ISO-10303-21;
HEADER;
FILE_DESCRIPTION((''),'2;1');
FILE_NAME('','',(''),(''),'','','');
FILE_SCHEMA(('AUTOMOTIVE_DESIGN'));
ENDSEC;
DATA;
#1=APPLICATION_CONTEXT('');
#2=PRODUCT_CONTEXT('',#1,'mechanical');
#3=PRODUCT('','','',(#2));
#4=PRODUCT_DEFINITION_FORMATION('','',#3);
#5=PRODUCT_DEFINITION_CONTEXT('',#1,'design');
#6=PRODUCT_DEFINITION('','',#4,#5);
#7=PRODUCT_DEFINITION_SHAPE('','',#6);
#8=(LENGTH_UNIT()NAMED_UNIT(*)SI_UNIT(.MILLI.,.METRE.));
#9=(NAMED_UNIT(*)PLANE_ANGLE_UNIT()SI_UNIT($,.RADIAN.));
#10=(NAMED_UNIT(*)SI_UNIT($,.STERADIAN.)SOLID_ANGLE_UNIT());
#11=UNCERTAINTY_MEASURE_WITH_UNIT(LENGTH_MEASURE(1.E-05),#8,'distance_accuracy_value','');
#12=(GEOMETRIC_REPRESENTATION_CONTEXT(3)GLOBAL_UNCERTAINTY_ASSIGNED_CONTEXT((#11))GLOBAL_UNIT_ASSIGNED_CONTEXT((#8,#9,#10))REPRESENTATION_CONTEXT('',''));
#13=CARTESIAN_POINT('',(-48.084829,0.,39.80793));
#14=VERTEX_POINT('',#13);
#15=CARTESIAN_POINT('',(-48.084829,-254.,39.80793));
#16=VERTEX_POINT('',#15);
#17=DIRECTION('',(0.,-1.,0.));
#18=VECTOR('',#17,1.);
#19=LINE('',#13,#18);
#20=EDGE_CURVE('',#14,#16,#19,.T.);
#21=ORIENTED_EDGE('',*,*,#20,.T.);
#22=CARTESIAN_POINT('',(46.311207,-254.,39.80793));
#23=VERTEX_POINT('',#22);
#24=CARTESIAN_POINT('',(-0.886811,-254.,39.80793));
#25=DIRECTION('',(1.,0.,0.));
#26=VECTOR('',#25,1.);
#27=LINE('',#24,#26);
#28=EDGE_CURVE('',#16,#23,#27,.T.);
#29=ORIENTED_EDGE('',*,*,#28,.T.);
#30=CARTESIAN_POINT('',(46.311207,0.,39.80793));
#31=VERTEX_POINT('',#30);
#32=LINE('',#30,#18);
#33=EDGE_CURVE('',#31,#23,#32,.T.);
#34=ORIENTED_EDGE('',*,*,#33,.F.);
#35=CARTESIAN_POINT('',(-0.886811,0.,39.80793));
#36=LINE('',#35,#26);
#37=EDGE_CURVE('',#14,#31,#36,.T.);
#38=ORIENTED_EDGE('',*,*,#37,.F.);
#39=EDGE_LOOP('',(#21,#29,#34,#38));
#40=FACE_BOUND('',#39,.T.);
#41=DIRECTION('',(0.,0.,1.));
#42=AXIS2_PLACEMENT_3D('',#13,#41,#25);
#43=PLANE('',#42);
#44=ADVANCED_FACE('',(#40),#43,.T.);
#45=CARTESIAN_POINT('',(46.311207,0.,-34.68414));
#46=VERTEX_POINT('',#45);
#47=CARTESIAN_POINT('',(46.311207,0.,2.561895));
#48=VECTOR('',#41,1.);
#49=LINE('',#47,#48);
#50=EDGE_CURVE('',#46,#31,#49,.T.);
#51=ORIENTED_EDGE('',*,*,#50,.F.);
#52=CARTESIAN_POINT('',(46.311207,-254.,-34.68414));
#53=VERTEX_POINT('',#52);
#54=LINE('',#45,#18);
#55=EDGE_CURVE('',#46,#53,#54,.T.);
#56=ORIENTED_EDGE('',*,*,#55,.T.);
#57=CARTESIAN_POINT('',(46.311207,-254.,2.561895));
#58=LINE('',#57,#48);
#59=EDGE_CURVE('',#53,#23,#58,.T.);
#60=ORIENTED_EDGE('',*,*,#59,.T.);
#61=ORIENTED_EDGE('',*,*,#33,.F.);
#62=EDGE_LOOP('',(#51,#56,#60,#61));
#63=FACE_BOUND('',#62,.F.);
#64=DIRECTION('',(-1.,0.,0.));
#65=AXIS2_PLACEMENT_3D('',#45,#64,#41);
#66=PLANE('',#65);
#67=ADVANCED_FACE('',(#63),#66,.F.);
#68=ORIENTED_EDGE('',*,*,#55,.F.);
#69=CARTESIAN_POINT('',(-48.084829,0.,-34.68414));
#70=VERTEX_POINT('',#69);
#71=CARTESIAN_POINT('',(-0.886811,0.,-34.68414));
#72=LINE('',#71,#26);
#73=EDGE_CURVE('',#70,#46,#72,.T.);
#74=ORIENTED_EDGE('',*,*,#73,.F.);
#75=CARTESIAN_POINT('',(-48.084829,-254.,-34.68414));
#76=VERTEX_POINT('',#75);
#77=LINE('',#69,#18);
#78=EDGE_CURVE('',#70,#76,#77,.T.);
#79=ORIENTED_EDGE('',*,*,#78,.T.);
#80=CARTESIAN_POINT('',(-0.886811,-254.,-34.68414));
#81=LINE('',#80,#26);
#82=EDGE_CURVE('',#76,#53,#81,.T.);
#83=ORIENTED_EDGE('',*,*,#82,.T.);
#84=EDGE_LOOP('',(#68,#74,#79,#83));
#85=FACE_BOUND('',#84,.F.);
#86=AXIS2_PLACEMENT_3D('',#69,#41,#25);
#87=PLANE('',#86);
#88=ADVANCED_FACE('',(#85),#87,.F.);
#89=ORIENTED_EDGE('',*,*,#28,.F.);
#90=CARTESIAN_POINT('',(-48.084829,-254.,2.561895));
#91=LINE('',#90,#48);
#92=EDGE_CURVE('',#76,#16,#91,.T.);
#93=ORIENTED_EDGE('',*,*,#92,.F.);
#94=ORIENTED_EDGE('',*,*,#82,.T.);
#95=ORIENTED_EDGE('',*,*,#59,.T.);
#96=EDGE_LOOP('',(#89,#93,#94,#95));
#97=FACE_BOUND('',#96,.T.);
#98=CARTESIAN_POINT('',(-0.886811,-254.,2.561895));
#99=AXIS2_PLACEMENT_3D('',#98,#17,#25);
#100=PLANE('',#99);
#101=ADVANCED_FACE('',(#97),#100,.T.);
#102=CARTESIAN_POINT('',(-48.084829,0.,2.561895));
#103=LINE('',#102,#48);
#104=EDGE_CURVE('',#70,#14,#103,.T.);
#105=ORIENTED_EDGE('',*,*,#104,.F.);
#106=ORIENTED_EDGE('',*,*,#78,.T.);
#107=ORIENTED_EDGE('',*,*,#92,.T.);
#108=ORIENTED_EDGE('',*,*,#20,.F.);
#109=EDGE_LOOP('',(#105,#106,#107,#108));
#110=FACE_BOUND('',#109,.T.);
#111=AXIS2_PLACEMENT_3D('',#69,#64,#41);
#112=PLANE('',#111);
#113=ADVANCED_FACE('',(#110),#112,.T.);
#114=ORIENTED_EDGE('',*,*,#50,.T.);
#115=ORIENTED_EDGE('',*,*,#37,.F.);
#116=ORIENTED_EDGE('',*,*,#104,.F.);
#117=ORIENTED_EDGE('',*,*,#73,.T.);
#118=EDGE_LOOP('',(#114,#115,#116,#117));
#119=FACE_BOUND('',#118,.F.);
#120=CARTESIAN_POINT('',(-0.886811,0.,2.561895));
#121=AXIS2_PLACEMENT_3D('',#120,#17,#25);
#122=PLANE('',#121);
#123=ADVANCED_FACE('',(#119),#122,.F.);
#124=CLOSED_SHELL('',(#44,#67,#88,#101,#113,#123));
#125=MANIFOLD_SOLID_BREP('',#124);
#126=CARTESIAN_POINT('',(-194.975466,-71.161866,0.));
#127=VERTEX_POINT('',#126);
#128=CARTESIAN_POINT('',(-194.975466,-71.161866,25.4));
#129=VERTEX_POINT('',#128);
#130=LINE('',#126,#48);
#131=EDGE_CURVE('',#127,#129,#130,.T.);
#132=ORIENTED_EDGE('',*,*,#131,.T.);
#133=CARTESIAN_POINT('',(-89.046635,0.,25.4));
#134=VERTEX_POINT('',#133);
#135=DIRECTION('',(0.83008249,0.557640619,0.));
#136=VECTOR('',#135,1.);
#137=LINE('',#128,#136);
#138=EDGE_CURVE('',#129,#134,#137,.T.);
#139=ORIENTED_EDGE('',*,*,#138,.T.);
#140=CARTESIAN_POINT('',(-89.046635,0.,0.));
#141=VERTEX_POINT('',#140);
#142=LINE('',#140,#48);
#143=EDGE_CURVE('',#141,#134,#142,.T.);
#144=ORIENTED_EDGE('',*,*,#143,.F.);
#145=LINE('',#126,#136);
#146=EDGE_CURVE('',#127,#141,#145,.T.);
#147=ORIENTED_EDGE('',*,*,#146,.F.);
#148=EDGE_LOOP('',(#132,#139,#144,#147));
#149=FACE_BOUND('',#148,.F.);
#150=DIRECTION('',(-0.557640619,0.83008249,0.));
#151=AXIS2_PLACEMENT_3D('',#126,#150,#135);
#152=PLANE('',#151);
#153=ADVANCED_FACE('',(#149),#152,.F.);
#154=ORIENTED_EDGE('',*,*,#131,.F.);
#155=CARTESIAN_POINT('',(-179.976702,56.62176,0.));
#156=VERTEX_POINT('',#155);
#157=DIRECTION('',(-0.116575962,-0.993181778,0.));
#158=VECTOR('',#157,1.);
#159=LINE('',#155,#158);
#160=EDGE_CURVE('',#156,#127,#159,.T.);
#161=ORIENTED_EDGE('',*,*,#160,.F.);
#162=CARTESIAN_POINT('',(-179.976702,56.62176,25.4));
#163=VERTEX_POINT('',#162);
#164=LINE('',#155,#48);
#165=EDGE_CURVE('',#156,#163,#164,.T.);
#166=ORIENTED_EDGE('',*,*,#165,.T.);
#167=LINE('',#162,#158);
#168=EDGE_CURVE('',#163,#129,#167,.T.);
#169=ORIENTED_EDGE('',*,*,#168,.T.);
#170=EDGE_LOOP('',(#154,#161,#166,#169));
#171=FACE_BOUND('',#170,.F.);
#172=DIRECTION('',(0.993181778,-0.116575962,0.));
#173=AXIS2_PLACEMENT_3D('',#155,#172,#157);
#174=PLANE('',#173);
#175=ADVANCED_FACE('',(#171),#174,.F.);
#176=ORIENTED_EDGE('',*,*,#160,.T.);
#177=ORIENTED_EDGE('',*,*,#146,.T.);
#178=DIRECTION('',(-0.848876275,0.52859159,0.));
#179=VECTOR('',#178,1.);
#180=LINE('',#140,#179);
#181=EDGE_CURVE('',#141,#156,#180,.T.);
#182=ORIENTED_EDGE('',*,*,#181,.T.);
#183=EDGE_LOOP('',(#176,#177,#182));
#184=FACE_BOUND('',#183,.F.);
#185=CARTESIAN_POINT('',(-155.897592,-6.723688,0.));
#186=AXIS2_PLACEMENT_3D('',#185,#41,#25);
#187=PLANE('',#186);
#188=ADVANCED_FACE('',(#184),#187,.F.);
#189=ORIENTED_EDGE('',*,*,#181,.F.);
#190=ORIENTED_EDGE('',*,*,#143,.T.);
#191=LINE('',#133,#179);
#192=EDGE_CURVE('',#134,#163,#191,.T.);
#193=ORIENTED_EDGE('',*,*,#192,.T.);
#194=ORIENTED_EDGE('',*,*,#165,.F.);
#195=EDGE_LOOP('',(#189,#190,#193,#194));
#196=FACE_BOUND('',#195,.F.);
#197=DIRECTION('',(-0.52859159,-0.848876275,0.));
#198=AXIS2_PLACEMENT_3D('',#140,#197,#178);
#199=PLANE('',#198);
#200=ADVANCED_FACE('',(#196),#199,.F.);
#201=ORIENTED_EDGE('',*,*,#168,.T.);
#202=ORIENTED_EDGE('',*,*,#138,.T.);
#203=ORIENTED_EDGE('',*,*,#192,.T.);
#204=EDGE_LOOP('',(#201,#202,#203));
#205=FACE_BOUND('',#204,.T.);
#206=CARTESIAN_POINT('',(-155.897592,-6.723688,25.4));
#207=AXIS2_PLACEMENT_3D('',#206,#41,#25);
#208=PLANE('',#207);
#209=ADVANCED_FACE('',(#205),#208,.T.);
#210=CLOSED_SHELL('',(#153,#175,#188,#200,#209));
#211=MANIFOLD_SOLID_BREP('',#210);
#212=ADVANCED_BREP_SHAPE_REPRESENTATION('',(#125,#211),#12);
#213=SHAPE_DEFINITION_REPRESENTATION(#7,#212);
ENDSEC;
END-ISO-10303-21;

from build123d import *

# Parameters (mm, degrees)
F0_W     = 94.396036
F0_H     = 74.492071
F1_DEPTH = 254
F3_DEPTH = 25.4


with BuildPart() as f1:
    # F0 (on Front) → F1 (new body)
    with BuildSketch(Plane.XZ):
        with Locations((-0.886811, 2.561895)):
            Rectangle(F0_W, F0_H)
    extrude(amount=F1_DEPTH)


with BuildPart() as f3:
    # F2 (on Top) → F3 (new body)
    with BuildSketch(Plane.XY):
        Polygon((-89.046635, 0), (-179.976702, 56.62176), (-194.975466, -71.161866), align=None)
    extrude(amount=F3_DEPTH)


solid = Compound([f1.part, f3.part])
